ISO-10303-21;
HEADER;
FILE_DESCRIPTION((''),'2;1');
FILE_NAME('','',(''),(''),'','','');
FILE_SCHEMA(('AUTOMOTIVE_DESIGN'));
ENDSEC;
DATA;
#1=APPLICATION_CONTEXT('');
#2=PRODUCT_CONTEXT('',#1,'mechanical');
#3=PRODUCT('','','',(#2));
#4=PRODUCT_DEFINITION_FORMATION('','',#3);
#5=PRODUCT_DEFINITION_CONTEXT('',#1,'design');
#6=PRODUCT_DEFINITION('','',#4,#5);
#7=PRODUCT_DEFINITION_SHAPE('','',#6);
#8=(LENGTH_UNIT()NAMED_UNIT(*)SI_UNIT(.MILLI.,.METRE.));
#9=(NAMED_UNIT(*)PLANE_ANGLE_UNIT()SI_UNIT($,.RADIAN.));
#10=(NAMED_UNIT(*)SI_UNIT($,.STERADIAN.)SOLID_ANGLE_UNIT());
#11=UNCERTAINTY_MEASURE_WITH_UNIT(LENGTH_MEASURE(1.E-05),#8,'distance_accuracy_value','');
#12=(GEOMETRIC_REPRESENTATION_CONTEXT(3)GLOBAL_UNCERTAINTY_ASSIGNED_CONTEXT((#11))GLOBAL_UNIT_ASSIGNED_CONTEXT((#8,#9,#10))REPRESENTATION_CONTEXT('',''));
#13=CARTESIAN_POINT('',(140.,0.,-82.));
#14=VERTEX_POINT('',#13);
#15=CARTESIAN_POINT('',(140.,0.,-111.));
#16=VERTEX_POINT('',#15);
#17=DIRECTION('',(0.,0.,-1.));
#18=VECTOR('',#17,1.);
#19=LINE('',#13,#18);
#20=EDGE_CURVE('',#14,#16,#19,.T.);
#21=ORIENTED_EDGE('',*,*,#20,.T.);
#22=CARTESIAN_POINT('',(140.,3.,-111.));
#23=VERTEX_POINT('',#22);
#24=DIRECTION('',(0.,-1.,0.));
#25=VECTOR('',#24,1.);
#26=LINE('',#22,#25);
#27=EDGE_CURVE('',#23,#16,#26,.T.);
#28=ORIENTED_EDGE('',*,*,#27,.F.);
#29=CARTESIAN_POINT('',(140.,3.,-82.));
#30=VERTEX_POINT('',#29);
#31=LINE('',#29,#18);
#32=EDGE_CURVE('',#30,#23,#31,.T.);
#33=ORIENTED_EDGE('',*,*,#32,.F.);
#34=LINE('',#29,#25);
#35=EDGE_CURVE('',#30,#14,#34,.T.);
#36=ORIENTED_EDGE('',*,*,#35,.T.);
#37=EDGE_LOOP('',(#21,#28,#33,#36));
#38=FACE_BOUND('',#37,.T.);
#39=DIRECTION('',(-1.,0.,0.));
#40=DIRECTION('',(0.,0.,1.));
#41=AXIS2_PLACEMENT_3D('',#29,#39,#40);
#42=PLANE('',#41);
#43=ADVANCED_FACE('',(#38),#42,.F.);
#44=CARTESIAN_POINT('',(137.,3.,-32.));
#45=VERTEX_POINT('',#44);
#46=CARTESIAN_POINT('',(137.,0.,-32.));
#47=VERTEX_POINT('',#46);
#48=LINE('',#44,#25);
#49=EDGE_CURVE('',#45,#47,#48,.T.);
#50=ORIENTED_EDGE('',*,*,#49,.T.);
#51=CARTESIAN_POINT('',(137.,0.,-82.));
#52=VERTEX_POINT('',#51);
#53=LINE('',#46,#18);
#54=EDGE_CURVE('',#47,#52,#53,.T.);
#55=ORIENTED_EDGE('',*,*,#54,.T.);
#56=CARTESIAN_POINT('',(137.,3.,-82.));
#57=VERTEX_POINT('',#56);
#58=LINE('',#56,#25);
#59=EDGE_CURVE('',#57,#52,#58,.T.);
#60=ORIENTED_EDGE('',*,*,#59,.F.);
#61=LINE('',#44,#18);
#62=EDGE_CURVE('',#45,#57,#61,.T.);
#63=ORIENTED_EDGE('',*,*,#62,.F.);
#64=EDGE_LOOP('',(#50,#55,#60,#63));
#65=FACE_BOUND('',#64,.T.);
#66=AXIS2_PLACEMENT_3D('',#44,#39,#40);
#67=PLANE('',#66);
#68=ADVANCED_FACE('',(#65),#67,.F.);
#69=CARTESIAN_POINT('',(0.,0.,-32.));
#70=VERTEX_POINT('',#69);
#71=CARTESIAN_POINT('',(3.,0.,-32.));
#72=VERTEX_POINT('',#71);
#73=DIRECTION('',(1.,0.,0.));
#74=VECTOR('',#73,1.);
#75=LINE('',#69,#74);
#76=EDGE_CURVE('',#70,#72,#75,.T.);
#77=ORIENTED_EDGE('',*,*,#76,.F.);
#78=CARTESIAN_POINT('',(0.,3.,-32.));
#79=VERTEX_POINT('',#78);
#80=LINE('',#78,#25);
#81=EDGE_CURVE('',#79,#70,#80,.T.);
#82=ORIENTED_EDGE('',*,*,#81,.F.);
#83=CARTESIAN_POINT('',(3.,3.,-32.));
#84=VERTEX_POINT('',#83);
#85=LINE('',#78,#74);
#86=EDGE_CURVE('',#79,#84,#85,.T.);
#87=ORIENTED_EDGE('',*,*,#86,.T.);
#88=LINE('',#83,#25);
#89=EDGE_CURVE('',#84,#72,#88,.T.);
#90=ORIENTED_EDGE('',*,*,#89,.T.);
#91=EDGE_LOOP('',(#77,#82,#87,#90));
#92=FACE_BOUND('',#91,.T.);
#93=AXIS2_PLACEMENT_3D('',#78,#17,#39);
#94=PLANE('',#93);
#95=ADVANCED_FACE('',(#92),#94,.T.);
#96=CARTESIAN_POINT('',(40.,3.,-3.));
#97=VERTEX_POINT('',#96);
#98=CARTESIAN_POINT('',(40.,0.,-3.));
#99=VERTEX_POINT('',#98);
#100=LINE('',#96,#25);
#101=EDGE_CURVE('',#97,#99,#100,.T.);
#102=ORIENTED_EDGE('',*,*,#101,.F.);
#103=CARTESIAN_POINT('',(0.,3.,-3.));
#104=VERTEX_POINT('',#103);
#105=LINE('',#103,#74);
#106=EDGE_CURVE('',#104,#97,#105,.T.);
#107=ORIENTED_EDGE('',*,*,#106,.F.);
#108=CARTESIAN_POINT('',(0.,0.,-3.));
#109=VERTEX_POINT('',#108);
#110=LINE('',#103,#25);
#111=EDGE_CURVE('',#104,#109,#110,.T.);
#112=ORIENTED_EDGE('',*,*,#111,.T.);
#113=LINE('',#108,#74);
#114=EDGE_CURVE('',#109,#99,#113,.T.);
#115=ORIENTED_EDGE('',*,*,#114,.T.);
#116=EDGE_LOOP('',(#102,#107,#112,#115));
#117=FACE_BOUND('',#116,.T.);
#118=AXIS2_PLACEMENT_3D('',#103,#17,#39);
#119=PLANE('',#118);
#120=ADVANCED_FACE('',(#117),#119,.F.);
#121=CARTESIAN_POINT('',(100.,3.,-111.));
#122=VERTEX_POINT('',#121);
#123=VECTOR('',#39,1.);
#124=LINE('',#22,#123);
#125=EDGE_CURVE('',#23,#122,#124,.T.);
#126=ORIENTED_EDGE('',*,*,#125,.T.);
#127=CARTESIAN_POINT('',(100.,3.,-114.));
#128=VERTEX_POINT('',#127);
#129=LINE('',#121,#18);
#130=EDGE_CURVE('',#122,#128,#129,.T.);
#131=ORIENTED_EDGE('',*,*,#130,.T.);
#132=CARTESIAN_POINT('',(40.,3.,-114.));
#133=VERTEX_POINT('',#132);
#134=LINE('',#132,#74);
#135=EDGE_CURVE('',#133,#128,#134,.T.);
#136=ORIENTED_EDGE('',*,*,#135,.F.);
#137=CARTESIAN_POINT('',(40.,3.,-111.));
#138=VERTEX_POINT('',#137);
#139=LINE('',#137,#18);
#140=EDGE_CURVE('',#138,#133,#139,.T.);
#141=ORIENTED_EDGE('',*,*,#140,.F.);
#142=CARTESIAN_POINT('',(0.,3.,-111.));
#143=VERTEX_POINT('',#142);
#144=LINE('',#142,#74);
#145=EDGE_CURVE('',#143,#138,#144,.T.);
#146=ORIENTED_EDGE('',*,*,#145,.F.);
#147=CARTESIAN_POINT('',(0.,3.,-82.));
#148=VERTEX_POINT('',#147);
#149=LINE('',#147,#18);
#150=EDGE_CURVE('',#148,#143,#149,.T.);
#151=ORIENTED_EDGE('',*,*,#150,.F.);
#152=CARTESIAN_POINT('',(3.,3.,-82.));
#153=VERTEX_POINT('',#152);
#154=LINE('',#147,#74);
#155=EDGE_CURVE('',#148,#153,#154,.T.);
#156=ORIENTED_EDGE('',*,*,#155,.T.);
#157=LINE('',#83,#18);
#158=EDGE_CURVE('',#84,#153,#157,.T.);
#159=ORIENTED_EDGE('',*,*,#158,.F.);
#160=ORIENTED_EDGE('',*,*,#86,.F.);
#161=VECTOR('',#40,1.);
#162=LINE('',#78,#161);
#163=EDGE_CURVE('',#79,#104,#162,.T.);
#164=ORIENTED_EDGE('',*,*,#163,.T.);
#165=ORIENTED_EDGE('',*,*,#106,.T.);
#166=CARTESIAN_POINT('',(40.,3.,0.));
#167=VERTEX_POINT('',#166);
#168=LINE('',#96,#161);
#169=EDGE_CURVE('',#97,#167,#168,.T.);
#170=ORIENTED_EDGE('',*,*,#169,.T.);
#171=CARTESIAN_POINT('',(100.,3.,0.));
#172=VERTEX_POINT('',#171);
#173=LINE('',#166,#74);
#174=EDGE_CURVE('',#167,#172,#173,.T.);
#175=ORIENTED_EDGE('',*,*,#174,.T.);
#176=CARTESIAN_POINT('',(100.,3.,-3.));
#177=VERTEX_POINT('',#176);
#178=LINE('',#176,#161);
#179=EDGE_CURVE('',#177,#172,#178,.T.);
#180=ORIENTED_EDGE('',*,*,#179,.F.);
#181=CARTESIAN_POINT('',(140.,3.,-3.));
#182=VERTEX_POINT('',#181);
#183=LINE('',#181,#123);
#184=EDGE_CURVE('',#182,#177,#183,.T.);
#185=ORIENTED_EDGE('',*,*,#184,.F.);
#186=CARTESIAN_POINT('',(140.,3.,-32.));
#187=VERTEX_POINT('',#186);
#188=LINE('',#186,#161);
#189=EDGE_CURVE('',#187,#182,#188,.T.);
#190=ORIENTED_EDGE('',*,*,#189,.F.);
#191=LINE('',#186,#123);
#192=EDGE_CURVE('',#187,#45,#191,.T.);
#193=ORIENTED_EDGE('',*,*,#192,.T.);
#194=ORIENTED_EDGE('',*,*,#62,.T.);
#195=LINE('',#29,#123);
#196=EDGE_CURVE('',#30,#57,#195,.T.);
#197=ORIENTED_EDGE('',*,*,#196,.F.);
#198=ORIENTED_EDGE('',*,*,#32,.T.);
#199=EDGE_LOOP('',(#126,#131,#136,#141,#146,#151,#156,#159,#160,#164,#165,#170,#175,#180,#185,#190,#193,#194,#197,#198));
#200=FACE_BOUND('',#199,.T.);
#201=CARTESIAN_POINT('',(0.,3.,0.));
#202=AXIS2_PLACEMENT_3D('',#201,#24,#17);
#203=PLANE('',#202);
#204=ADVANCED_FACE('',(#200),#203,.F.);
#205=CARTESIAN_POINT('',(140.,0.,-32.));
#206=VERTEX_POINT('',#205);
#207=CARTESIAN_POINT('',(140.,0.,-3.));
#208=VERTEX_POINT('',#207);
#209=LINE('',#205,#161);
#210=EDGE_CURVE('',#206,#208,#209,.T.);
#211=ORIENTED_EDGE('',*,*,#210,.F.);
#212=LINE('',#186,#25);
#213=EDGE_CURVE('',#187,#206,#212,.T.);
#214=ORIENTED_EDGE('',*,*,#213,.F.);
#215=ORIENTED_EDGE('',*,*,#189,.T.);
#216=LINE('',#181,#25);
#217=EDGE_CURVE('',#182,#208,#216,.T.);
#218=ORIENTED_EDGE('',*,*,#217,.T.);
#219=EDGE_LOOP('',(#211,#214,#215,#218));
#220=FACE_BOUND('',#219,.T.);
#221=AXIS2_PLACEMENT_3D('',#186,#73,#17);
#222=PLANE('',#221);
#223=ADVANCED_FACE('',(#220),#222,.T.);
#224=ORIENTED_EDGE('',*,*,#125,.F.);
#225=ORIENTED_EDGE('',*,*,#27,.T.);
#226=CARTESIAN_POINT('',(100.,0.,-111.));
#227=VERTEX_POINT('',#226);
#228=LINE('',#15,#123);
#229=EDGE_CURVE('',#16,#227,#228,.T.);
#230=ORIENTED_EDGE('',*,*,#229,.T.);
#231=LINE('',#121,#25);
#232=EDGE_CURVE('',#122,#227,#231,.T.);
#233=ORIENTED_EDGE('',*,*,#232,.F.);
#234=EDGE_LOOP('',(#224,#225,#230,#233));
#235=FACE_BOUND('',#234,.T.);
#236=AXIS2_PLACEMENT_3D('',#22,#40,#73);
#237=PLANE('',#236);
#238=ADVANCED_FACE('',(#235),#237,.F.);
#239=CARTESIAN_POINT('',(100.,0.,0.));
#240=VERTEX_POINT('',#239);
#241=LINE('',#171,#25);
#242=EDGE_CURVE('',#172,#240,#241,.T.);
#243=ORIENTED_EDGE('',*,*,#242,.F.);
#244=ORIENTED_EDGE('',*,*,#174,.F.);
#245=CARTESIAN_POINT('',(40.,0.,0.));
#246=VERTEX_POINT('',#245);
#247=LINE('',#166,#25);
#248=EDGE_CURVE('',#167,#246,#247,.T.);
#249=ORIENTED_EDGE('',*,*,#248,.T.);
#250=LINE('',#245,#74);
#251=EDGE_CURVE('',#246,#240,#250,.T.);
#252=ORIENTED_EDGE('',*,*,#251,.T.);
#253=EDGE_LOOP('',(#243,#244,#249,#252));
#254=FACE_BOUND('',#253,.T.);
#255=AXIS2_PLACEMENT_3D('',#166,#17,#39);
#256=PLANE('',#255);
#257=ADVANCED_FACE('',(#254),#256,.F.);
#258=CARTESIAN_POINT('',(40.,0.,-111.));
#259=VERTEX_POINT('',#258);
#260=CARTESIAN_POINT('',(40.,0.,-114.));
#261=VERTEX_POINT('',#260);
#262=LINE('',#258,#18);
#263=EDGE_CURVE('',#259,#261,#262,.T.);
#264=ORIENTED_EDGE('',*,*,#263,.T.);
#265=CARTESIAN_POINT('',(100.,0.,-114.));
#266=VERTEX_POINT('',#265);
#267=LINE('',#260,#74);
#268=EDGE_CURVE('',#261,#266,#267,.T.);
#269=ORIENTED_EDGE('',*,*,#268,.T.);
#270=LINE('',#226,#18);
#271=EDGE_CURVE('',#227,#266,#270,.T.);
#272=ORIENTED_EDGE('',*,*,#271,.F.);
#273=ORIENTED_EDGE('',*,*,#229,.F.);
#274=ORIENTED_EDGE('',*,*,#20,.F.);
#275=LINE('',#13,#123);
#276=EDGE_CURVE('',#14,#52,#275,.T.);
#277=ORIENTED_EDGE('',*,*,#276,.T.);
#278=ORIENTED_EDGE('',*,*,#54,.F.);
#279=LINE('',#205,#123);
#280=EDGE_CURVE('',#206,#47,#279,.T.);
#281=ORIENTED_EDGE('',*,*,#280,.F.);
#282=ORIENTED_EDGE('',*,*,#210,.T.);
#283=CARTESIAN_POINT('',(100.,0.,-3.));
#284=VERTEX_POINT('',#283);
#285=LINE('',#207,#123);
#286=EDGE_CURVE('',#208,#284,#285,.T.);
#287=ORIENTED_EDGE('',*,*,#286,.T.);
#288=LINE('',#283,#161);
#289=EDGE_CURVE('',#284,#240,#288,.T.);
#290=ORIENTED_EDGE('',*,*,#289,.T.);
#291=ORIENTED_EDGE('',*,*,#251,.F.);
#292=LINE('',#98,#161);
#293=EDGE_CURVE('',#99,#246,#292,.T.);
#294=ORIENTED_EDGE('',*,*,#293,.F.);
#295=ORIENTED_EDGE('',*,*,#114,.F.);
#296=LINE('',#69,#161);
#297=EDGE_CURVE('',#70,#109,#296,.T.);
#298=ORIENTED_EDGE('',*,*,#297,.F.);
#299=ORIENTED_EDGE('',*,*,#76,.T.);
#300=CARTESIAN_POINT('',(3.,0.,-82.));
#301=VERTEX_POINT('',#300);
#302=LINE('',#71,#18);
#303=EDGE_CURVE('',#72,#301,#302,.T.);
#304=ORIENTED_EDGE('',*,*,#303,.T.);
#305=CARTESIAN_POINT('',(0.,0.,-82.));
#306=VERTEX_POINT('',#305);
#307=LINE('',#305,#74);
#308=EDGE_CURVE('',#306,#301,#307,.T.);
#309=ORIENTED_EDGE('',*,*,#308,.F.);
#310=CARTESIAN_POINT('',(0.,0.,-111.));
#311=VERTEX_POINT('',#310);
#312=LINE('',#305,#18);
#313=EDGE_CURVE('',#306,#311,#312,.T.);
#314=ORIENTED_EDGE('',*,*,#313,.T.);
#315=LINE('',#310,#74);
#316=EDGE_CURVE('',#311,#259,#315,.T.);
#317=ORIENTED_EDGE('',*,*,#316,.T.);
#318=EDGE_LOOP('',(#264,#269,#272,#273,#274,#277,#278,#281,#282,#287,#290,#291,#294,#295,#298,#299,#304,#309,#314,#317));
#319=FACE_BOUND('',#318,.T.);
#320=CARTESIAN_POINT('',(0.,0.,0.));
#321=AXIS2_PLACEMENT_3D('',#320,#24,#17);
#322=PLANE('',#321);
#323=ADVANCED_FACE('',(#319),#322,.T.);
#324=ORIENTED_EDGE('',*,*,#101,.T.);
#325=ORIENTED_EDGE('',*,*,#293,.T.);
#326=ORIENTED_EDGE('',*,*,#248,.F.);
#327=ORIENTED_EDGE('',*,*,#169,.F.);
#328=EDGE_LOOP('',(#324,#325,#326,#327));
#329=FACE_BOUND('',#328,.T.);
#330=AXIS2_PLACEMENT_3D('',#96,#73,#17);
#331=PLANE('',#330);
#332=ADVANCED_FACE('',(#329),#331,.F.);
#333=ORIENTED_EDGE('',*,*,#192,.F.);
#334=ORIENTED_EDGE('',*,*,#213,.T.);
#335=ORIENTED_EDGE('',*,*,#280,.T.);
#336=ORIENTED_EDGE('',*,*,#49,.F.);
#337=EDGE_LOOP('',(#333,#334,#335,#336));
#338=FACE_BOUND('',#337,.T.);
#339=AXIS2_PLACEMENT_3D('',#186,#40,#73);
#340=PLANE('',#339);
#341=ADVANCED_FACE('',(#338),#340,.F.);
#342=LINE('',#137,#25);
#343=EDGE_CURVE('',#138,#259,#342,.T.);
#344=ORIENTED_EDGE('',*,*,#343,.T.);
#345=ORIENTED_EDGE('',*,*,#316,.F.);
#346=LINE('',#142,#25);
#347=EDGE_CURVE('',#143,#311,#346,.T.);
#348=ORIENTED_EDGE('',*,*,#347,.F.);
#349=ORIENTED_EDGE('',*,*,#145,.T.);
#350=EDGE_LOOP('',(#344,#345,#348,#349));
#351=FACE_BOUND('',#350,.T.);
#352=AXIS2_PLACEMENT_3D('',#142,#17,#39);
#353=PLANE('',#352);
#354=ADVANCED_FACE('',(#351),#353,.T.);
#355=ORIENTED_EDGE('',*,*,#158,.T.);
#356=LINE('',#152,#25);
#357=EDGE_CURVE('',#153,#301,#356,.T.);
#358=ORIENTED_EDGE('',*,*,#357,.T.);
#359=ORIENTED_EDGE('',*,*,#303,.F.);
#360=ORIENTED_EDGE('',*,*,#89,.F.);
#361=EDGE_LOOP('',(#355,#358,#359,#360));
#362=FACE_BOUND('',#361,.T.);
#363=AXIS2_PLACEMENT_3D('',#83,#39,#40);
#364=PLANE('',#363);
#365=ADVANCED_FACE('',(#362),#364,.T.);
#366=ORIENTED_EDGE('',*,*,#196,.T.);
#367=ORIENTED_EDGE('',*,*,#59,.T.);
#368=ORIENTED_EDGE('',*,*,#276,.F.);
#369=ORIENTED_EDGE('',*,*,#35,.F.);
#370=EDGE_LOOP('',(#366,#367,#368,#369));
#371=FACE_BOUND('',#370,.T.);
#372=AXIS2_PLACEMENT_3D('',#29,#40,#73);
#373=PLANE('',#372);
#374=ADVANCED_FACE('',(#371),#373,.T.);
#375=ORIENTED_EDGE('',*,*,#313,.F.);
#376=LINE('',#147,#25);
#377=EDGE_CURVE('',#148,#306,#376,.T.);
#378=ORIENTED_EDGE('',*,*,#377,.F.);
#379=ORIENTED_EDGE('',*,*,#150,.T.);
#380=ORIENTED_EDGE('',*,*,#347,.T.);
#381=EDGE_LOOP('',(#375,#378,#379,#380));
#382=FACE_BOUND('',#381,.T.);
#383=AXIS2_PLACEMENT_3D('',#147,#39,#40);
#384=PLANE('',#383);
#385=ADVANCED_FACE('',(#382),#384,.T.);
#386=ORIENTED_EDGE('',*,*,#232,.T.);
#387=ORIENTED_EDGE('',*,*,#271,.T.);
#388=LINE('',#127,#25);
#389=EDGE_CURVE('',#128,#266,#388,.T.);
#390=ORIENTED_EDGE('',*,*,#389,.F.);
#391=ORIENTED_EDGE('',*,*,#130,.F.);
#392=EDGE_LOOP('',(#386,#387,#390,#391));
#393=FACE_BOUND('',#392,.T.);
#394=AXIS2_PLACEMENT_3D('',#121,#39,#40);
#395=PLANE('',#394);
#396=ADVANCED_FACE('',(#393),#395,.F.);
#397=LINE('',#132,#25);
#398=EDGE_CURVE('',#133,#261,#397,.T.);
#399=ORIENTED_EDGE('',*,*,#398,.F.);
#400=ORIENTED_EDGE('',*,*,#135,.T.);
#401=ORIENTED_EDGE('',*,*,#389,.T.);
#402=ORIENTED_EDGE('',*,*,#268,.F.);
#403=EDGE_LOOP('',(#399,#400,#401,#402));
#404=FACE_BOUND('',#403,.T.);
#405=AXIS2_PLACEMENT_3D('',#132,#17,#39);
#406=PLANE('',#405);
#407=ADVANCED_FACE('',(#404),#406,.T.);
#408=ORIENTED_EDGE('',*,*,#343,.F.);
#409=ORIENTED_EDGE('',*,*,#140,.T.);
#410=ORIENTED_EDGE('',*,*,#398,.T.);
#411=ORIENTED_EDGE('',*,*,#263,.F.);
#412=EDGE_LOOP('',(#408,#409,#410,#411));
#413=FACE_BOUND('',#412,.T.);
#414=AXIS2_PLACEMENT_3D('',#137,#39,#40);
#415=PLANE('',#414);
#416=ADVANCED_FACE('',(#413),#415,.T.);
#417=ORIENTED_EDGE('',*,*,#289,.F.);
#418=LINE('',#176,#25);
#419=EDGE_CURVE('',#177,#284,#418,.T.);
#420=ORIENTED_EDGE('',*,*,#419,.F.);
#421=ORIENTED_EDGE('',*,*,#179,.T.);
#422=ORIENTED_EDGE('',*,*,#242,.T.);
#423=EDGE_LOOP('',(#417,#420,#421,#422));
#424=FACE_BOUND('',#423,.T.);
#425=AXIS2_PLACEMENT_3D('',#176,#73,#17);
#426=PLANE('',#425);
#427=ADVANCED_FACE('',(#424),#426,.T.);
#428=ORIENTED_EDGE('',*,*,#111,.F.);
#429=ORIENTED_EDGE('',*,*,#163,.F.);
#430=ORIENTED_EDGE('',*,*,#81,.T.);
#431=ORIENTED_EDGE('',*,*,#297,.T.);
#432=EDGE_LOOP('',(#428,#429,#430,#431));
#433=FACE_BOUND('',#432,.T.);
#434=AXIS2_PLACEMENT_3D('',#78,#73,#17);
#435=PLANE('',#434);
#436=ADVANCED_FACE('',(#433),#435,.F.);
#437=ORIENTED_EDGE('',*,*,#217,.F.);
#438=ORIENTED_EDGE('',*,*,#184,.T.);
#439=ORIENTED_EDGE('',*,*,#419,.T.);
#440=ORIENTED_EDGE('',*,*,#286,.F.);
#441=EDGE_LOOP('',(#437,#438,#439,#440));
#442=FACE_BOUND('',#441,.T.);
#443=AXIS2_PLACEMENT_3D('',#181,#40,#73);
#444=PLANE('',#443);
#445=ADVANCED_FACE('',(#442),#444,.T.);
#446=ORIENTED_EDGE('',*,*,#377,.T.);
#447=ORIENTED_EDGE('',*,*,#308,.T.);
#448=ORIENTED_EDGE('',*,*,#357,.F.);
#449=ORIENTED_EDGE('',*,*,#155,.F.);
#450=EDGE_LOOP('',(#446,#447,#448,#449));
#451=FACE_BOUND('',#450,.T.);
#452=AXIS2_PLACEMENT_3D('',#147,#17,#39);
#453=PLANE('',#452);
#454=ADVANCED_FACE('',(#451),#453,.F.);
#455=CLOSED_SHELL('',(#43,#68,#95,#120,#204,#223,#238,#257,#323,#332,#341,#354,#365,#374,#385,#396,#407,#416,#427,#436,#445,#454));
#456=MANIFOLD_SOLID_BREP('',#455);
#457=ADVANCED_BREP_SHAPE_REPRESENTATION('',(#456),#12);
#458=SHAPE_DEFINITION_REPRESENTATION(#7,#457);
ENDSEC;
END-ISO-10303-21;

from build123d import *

# Parameters (mm, degrees)
EXTRUDE_1_DEPTH = 3


with BuildPart() as part:
    # Эскиз1 → Бобышка-Вытянуть1 (new body)
    with BuildSketch(Plane(origin=(0, 0, 0), x_dir=(1, 0, 0), z_dir=(0, 1, 0))):
        Polygon((0, 3), (40, 3), (40, 0), (100, 0), (100, 3), (140, 3), (140, 32), (137, 32), (137, 82), (140, 82), (140, 111), (100, 111), (100, 114), (40, 114), (40, 111), (0, 111), (0, 82), (3, 82), (3, 32), (0, 32), align=None)
    extrude(amount=EXTRUDE_1_DEPTH)


solid = part.part
